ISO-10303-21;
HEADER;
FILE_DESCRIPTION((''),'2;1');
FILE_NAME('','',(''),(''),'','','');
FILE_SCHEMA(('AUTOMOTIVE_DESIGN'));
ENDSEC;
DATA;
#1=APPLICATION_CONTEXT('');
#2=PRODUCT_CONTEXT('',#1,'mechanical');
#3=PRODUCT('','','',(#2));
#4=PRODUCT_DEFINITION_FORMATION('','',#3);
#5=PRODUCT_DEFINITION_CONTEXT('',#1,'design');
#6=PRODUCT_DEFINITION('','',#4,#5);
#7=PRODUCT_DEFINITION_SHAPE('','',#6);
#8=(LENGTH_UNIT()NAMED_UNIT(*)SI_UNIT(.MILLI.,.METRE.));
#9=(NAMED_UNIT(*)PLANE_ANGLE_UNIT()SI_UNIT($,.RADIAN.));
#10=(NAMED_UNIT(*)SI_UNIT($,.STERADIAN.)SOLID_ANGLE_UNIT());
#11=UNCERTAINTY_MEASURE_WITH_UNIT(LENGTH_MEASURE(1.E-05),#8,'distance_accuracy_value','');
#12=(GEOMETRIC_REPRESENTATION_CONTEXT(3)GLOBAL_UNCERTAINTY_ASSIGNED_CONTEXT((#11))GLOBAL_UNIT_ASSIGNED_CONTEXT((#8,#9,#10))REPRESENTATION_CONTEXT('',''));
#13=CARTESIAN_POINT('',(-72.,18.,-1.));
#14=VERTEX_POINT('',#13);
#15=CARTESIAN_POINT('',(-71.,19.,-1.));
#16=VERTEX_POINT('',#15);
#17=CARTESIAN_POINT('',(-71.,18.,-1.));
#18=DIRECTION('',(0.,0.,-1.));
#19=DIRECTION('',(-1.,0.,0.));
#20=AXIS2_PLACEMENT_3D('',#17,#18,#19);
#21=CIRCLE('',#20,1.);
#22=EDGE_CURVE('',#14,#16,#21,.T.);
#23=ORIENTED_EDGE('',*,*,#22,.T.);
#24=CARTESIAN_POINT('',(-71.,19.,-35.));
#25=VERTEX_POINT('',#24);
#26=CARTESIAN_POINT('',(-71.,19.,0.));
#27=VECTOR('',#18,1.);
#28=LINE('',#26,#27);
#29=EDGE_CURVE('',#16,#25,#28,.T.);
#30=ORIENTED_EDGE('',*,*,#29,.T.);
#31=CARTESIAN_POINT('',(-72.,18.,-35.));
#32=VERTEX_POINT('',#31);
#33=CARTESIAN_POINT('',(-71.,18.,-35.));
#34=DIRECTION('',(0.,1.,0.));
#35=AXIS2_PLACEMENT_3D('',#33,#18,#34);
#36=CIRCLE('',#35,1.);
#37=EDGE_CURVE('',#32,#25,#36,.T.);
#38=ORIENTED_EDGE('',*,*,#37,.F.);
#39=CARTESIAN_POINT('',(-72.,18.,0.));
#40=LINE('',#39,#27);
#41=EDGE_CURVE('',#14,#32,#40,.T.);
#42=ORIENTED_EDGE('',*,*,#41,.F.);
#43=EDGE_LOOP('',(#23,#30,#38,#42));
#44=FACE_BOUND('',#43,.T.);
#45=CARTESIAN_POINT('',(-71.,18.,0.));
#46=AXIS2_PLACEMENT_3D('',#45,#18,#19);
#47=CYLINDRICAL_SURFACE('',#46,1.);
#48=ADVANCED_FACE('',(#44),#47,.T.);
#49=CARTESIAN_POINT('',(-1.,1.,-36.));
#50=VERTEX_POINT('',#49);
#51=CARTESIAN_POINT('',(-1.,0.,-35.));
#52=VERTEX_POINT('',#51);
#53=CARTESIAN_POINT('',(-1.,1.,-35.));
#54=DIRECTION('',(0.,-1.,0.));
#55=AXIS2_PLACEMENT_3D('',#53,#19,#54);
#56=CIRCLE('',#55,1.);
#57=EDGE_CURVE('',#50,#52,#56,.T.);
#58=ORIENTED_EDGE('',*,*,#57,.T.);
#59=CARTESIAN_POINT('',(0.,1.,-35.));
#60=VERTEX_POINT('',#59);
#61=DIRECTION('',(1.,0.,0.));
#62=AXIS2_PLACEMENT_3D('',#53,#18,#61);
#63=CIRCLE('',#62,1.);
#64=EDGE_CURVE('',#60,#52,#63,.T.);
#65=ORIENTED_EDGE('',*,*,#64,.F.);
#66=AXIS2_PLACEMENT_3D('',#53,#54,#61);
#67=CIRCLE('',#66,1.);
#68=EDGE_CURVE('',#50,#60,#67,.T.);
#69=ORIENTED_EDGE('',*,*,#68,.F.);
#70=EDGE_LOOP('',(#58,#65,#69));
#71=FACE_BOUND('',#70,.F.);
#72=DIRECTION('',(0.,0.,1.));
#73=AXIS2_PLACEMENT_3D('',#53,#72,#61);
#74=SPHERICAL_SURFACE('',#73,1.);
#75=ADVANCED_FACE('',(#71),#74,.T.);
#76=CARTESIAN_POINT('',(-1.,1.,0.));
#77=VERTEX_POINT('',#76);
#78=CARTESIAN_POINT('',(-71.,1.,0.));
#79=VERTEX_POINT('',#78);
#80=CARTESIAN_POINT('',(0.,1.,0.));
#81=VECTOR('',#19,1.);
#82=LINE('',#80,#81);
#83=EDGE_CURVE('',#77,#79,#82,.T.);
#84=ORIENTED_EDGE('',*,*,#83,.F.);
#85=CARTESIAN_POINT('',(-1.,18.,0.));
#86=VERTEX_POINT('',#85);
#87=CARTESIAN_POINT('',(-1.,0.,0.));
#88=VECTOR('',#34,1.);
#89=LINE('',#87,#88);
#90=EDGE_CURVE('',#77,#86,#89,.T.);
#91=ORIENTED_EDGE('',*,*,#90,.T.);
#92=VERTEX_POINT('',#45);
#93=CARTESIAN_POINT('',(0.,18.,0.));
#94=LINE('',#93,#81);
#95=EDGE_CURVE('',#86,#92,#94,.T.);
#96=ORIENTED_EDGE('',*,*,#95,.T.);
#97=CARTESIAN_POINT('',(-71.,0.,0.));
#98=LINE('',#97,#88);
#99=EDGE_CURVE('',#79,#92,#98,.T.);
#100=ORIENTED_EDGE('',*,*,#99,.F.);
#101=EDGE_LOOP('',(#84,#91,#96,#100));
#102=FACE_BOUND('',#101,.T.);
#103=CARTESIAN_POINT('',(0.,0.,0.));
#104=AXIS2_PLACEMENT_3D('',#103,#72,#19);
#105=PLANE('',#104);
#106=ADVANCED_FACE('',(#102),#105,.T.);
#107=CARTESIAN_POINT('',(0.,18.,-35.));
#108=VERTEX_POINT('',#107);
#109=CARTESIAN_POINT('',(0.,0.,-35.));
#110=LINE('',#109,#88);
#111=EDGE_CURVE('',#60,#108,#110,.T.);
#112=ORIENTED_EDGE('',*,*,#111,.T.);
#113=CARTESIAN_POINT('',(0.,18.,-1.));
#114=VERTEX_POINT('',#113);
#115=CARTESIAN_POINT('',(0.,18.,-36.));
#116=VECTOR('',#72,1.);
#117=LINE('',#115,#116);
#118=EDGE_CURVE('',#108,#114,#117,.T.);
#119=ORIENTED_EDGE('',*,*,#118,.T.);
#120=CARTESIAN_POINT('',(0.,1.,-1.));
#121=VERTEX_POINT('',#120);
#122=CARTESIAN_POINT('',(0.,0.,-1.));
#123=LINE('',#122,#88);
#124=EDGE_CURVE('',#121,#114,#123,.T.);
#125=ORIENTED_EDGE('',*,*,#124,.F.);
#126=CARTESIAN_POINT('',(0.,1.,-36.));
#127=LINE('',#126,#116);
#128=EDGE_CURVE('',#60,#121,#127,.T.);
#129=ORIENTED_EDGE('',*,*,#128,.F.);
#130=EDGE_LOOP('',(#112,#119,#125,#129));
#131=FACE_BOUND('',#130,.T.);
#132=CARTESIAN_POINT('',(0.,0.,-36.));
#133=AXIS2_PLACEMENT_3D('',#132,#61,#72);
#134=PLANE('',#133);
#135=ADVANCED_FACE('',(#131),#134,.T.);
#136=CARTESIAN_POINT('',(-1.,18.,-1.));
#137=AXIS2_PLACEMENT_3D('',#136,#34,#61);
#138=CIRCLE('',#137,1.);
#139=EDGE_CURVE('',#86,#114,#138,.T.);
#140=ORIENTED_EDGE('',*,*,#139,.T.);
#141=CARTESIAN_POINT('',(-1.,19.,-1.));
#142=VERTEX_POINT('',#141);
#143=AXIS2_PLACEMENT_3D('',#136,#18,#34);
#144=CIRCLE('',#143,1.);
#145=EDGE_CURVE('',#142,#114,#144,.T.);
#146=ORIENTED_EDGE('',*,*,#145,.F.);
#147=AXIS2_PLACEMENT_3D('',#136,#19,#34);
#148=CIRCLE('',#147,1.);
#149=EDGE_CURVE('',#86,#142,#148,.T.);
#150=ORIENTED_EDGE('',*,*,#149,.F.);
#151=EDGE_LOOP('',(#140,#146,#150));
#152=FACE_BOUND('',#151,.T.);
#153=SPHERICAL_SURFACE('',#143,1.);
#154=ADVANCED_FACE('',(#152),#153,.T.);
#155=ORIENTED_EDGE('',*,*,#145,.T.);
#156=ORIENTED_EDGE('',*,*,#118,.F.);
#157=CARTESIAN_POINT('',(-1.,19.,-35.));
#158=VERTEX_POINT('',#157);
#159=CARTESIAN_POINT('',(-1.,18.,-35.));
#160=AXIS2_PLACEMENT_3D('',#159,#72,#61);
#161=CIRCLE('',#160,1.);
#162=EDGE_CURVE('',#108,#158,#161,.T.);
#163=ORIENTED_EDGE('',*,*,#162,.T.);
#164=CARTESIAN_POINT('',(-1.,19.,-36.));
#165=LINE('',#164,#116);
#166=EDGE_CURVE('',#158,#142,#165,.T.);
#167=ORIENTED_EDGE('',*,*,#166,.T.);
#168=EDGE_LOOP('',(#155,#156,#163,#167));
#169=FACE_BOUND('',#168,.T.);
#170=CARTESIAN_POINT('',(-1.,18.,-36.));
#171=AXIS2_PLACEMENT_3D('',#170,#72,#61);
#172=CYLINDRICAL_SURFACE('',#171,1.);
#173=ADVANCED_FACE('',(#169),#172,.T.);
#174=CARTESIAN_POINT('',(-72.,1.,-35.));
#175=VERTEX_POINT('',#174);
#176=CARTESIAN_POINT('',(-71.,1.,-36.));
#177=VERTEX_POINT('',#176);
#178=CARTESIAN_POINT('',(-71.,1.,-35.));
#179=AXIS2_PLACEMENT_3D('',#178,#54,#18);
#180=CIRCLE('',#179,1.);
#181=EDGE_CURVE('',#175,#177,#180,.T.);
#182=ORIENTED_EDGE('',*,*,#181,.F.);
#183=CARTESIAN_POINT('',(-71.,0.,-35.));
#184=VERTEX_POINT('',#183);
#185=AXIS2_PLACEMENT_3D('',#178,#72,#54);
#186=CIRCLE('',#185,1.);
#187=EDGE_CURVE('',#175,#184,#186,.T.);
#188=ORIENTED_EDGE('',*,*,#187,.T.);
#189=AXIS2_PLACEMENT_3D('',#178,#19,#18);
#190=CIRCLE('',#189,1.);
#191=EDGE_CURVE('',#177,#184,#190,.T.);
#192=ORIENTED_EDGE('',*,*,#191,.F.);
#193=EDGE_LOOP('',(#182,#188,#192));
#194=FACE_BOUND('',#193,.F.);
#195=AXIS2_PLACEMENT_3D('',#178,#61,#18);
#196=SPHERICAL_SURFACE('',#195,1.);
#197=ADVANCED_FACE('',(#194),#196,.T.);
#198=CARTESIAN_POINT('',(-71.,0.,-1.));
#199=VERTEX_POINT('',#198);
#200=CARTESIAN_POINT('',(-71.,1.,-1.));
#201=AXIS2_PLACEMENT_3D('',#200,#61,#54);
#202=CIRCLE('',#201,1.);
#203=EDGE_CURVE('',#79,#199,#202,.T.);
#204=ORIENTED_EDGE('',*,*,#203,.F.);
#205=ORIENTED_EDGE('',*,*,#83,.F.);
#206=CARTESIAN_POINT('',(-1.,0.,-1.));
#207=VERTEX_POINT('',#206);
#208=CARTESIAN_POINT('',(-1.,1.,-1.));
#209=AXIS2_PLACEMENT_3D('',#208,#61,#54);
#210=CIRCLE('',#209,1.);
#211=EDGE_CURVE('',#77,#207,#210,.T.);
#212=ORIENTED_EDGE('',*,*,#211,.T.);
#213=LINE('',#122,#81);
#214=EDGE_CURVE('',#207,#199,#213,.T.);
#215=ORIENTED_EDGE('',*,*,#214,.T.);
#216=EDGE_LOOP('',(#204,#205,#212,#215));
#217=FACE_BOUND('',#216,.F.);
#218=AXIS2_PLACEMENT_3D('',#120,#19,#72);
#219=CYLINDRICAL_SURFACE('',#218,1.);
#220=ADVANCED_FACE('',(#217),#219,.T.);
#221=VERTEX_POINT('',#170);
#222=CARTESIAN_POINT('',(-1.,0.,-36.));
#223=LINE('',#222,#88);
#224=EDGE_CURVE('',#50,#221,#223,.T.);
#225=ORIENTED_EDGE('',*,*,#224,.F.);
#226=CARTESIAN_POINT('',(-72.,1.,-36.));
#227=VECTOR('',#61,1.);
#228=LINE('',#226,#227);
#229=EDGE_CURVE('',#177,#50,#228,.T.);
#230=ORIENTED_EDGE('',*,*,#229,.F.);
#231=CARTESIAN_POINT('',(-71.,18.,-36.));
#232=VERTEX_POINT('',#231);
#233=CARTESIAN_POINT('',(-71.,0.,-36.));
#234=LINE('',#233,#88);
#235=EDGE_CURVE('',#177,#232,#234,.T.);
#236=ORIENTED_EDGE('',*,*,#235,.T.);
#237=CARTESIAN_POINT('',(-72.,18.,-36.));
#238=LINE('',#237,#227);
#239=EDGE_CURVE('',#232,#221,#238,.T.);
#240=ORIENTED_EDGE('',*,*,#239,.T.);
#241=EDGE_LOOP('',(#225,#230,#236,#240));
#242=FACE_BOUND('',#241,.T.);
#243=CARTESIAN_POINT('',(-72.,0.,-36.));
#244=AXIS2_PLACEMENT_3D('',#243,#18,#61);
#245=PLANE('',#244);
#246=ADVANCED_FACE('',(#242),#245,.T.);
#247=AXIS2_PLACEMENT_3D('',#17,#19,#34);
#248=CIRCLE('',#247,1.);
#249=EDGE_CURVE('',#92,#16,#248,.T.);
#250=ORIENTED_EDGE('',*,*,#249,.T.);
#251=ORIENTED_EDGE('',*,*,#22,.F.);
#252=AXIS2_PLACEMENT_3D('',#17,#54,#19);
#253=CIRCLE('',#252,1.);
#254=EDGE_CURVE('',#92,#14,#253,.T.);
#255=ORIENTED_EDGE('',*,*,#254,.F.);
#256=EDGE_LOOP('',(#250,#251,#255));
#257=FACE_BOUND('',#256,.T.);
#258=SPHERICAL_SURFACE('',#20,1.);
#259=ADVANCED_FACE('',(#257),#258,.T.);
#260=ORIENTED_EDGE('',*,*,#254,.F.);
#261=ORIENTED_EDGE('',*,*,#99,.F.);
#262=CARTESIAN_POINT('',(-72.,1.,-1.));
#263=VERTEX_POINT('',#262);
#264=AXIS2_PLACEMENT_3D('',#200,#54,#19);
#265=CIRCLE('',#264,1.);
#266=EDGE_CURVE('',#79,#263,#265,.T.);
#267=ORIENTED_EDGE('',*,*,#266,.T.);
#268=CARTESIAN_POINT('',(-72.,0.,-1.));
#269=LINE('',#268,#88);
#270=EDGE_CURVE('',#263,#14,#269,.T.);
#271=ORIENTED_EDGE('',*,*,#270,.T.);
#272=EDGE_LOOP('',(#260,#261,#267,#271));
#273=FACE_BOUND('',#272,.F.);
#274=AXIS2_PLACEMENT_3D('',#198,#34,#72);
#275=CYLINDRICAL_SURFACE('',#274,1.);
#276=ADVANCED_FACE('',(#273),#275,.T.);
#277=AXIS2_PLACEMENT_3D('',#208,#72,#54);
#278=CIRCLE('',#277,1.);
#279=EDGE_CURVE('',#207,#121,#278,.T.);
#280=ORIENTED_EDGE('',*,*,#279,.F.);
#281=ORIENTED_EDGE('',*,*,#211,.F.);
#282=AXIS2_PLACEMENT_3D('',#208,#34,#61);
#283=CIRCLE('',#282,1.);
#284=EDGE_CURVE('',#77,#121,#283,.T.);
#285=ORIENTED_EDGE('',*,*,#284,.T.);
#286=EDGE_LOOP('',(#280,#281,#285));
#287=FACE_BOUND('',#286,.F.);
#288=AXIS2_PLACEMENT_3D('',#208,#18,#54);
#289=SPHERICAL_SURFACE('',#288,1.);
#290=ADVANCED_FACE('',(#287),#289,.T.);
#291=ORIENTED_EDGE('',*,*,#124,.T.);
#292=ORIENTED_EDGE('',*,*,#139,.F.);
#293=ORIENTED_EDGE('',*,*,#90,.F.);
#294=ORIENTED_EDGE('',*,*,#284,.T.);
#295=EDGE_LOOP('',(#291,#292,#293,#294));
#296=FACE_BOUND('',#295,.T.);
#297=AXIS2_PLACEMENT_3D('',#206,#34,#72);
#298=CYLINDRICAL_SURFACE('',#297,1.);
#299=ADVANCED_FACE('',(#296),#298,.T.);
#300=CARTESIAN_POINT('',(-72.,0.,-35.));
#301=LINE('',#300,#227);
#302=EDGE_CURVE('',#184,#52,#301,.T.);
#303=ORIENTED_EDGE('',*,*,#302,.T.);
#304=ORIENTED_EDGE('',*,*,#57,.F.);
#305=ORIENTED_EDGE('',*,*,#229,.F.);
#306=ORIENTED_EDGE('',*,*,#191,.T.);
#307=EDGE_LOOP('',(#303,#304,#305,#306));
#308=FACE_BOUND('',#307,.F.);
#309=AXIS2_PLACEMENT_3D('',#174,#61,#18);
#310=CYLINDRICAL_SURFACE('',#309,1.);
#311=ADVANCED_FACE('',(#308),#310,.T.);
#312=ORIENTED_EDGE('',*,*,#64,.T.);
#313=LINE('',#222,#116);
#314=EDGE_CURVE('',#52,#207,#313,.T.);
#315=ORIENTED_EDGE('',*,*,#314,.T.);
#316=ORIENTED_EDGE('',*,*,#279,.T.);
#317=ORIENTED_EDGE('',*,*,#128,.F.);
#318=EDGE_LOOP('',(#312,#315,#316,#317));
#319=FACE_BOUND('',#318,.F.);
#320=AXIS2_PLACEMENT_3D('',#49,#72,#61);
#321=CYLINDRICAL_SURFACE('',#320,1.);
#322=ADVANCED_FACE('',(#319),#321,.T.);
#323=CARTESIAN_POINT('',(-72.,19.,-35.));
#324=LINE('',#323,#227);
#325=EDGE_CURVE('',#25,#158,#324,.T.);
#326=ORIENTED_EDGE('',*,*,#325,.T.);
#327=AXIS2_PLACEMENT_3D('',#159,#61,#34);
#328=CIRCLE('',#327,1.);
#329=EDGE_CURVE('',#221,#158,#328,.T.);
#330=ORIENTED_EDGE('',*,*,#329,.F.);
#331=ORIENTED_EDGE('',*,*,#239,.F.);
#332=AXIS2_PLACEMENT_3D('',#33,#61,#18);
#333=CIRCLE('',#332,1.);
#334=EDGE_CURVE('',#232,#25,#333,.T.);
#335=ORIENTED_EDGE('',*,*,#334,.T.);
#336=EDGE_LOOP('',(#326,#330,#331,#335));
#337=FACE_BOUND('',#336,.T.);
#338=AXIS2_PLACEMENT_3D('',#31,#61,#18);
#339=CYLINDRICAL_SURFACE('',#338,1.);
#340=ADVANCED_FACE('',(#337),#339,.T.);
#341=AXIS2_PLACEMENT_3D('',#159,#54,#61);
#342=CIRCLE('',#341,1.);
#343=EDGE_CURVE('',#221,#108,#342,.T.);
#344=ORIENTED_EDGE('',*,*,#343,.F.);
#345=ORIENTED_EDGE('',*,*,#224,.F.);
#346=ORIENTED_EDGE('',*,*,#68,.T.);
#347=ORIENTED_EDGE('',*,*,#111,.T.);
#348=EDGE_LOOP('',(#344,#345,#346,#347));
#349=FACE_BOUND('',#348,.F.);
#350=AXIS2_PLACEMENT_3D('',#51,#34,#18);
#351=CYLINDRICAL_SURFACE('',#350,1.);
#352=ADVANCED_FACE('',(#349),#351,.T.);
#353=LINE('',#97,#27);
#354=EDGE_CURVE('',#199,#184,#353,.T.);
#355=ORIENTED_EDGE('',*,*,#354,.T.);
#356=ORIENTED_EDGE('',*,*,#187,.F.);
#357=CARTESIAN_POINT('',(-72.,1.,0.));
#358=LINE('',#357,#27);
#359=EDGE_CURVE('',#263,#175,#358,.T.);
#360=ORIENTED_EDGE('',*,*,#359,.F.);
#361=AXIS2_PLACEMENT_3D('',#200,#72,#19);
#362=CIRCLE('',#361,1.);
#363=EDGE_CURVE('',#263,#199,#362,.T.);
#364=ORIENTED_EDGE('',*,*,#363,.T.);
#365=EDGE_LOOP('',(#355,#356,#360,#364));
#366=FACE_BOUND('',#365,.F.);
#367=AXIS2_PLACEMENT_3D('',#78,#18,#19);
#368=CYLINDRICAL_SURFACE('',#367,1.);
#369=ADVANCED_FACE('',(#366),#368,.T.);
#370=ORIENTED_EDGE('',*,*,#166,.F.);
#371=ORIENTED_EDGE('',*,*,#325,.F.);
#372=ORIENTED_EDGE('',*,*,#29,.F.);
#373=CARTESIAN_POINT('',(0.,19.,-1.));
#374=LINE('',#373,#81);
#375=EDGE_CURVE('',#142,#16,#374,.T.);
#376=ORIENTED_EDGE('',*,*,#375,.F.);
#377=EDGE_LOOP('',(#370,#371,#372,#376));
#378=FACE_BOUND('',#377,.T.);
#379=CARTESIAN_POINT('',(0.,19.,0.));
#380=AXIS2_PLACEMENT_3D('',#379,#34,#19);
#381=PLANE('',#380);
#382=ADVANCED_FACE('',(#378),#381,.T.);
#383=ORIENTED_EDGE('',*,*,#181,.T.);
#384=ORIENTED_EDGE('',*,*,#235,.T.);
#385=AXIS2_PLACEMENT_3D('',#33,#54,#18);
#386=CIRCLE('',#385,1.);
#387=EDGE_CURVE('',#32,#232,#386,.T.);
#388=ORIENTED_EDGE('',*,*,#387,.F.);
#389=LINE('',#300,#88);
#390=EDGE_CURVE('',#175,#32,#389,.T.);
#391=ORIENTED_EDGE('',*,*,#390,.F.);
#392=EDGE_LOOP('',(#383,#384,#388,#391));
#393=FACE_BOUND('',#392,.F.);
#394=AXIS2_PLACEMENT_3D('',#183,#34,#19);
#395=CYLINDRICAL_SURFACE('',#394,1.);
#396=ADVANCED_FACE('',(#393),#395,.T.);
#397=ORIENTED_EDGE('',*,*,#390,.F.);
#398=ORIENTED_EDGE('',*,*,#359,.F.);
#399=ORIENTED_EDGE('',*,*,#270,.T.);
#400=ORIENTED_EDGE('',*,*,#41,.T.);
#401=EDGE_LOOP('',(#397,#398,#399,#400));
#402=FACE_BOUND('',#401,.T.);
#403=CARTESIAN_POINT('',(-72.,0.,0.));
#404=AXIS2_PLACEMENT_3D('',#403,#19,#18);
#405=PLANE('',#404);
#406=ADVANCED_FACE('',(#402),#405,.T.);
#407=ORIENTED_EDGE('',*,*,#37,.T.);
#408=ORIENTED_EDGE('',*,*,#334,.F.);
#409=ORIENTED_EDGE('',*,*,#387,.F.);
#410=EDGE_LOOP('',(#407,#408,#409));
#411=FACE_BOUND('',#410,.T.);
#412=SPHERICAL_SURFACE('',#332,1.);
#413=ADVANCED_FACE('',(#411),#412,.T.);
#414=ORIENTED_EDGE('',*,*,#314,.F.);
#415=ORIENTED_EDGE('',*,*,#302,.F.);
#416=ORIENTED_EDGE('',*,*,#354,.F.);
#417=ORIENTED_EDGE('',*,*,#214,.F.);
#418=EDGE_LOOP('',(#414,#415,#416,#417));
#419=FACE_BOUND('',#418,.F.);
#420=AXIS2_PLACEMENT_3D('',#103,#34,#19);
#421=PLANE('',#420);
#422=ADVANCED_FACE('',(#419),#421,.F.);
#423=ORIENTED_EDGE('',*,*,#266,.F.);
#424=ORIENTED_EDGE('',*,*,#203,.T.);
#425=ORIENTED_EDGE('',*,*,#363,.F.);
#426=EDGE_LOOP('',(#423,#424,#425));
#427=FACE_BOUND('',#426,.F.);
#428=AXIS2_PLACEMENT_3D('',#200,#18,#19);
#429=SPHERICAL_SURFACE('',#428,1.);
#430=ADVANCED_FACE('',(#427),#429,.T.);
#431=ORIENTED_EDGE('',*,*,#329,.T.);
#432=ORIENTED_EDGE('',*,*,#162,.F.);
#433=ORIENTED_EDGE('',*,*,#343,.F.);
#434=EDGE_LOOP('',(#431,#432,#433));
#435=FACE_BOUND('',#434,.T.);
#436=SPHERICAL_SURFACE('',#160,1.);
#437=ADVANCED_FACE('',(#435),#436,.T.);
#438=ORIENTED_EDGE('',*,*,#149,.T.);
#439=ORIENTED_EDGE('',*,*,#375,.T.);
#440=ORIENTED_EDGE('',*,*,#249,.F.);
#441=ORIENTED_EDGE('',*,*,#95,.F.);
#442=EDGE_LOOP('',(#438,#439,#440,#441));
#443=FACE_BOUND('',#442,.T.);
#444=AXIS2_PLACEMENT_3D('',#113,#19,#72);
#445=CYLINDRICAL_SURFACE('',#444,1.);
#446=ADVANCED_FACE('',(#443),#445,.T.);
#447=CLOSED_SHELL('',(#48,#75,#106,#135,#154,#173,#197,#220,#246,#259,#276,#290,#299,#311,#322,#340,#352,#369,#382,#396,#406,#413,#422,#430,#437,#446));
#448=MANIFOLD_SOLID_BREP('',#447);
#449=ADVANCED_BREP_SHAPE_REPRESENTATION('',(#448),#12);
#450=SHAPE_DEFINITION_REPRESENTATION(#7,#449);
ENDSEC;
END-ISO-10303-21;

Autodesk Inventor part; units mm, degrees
ref_plane "YZ Plane" through (0, 0, 0) normal (1, 0, 0) x (0, 1, 0)
ref_plane "XZ Plane" through (0, 0, 0) normal (0, 1, 0) x (-1, 0, 0)
ref_plane "XY Plane" through (0, 0, 0) normal (0, 0, 1) x (1, 0, 0)
sketch "Sketch1" plane through (0, 0, 0) normal (0, 1, 0) x (-1, 0, 0)
  line L0 (0, 0) -> (72, 0)
  line L1 (72, 0) -> (72, -36)
  line L2 (72, -36) -> (0, -36)
  line L3 (0, -36) -> (0, 0)
  dimension "d0" = 72
  dimension "d1" = 36
extrude "Extrusion1" add sketch "Sketch1" along normal blind 19
fillet "Fillet1" radius 1 12 edges at (0, 19, -18) (0, 0, -18) (0, 9.5, -36) (-36, 0, -36) (-36, 19, -36) (-72, 9.5, -36) (-72, 19, -18) (-72, 0, -18) (-72, 9.5, 0) (-36, 19, 0) (-36, 0, 0) (0, 9.5, 0)
properties part number "Battery[72x36x19]"
